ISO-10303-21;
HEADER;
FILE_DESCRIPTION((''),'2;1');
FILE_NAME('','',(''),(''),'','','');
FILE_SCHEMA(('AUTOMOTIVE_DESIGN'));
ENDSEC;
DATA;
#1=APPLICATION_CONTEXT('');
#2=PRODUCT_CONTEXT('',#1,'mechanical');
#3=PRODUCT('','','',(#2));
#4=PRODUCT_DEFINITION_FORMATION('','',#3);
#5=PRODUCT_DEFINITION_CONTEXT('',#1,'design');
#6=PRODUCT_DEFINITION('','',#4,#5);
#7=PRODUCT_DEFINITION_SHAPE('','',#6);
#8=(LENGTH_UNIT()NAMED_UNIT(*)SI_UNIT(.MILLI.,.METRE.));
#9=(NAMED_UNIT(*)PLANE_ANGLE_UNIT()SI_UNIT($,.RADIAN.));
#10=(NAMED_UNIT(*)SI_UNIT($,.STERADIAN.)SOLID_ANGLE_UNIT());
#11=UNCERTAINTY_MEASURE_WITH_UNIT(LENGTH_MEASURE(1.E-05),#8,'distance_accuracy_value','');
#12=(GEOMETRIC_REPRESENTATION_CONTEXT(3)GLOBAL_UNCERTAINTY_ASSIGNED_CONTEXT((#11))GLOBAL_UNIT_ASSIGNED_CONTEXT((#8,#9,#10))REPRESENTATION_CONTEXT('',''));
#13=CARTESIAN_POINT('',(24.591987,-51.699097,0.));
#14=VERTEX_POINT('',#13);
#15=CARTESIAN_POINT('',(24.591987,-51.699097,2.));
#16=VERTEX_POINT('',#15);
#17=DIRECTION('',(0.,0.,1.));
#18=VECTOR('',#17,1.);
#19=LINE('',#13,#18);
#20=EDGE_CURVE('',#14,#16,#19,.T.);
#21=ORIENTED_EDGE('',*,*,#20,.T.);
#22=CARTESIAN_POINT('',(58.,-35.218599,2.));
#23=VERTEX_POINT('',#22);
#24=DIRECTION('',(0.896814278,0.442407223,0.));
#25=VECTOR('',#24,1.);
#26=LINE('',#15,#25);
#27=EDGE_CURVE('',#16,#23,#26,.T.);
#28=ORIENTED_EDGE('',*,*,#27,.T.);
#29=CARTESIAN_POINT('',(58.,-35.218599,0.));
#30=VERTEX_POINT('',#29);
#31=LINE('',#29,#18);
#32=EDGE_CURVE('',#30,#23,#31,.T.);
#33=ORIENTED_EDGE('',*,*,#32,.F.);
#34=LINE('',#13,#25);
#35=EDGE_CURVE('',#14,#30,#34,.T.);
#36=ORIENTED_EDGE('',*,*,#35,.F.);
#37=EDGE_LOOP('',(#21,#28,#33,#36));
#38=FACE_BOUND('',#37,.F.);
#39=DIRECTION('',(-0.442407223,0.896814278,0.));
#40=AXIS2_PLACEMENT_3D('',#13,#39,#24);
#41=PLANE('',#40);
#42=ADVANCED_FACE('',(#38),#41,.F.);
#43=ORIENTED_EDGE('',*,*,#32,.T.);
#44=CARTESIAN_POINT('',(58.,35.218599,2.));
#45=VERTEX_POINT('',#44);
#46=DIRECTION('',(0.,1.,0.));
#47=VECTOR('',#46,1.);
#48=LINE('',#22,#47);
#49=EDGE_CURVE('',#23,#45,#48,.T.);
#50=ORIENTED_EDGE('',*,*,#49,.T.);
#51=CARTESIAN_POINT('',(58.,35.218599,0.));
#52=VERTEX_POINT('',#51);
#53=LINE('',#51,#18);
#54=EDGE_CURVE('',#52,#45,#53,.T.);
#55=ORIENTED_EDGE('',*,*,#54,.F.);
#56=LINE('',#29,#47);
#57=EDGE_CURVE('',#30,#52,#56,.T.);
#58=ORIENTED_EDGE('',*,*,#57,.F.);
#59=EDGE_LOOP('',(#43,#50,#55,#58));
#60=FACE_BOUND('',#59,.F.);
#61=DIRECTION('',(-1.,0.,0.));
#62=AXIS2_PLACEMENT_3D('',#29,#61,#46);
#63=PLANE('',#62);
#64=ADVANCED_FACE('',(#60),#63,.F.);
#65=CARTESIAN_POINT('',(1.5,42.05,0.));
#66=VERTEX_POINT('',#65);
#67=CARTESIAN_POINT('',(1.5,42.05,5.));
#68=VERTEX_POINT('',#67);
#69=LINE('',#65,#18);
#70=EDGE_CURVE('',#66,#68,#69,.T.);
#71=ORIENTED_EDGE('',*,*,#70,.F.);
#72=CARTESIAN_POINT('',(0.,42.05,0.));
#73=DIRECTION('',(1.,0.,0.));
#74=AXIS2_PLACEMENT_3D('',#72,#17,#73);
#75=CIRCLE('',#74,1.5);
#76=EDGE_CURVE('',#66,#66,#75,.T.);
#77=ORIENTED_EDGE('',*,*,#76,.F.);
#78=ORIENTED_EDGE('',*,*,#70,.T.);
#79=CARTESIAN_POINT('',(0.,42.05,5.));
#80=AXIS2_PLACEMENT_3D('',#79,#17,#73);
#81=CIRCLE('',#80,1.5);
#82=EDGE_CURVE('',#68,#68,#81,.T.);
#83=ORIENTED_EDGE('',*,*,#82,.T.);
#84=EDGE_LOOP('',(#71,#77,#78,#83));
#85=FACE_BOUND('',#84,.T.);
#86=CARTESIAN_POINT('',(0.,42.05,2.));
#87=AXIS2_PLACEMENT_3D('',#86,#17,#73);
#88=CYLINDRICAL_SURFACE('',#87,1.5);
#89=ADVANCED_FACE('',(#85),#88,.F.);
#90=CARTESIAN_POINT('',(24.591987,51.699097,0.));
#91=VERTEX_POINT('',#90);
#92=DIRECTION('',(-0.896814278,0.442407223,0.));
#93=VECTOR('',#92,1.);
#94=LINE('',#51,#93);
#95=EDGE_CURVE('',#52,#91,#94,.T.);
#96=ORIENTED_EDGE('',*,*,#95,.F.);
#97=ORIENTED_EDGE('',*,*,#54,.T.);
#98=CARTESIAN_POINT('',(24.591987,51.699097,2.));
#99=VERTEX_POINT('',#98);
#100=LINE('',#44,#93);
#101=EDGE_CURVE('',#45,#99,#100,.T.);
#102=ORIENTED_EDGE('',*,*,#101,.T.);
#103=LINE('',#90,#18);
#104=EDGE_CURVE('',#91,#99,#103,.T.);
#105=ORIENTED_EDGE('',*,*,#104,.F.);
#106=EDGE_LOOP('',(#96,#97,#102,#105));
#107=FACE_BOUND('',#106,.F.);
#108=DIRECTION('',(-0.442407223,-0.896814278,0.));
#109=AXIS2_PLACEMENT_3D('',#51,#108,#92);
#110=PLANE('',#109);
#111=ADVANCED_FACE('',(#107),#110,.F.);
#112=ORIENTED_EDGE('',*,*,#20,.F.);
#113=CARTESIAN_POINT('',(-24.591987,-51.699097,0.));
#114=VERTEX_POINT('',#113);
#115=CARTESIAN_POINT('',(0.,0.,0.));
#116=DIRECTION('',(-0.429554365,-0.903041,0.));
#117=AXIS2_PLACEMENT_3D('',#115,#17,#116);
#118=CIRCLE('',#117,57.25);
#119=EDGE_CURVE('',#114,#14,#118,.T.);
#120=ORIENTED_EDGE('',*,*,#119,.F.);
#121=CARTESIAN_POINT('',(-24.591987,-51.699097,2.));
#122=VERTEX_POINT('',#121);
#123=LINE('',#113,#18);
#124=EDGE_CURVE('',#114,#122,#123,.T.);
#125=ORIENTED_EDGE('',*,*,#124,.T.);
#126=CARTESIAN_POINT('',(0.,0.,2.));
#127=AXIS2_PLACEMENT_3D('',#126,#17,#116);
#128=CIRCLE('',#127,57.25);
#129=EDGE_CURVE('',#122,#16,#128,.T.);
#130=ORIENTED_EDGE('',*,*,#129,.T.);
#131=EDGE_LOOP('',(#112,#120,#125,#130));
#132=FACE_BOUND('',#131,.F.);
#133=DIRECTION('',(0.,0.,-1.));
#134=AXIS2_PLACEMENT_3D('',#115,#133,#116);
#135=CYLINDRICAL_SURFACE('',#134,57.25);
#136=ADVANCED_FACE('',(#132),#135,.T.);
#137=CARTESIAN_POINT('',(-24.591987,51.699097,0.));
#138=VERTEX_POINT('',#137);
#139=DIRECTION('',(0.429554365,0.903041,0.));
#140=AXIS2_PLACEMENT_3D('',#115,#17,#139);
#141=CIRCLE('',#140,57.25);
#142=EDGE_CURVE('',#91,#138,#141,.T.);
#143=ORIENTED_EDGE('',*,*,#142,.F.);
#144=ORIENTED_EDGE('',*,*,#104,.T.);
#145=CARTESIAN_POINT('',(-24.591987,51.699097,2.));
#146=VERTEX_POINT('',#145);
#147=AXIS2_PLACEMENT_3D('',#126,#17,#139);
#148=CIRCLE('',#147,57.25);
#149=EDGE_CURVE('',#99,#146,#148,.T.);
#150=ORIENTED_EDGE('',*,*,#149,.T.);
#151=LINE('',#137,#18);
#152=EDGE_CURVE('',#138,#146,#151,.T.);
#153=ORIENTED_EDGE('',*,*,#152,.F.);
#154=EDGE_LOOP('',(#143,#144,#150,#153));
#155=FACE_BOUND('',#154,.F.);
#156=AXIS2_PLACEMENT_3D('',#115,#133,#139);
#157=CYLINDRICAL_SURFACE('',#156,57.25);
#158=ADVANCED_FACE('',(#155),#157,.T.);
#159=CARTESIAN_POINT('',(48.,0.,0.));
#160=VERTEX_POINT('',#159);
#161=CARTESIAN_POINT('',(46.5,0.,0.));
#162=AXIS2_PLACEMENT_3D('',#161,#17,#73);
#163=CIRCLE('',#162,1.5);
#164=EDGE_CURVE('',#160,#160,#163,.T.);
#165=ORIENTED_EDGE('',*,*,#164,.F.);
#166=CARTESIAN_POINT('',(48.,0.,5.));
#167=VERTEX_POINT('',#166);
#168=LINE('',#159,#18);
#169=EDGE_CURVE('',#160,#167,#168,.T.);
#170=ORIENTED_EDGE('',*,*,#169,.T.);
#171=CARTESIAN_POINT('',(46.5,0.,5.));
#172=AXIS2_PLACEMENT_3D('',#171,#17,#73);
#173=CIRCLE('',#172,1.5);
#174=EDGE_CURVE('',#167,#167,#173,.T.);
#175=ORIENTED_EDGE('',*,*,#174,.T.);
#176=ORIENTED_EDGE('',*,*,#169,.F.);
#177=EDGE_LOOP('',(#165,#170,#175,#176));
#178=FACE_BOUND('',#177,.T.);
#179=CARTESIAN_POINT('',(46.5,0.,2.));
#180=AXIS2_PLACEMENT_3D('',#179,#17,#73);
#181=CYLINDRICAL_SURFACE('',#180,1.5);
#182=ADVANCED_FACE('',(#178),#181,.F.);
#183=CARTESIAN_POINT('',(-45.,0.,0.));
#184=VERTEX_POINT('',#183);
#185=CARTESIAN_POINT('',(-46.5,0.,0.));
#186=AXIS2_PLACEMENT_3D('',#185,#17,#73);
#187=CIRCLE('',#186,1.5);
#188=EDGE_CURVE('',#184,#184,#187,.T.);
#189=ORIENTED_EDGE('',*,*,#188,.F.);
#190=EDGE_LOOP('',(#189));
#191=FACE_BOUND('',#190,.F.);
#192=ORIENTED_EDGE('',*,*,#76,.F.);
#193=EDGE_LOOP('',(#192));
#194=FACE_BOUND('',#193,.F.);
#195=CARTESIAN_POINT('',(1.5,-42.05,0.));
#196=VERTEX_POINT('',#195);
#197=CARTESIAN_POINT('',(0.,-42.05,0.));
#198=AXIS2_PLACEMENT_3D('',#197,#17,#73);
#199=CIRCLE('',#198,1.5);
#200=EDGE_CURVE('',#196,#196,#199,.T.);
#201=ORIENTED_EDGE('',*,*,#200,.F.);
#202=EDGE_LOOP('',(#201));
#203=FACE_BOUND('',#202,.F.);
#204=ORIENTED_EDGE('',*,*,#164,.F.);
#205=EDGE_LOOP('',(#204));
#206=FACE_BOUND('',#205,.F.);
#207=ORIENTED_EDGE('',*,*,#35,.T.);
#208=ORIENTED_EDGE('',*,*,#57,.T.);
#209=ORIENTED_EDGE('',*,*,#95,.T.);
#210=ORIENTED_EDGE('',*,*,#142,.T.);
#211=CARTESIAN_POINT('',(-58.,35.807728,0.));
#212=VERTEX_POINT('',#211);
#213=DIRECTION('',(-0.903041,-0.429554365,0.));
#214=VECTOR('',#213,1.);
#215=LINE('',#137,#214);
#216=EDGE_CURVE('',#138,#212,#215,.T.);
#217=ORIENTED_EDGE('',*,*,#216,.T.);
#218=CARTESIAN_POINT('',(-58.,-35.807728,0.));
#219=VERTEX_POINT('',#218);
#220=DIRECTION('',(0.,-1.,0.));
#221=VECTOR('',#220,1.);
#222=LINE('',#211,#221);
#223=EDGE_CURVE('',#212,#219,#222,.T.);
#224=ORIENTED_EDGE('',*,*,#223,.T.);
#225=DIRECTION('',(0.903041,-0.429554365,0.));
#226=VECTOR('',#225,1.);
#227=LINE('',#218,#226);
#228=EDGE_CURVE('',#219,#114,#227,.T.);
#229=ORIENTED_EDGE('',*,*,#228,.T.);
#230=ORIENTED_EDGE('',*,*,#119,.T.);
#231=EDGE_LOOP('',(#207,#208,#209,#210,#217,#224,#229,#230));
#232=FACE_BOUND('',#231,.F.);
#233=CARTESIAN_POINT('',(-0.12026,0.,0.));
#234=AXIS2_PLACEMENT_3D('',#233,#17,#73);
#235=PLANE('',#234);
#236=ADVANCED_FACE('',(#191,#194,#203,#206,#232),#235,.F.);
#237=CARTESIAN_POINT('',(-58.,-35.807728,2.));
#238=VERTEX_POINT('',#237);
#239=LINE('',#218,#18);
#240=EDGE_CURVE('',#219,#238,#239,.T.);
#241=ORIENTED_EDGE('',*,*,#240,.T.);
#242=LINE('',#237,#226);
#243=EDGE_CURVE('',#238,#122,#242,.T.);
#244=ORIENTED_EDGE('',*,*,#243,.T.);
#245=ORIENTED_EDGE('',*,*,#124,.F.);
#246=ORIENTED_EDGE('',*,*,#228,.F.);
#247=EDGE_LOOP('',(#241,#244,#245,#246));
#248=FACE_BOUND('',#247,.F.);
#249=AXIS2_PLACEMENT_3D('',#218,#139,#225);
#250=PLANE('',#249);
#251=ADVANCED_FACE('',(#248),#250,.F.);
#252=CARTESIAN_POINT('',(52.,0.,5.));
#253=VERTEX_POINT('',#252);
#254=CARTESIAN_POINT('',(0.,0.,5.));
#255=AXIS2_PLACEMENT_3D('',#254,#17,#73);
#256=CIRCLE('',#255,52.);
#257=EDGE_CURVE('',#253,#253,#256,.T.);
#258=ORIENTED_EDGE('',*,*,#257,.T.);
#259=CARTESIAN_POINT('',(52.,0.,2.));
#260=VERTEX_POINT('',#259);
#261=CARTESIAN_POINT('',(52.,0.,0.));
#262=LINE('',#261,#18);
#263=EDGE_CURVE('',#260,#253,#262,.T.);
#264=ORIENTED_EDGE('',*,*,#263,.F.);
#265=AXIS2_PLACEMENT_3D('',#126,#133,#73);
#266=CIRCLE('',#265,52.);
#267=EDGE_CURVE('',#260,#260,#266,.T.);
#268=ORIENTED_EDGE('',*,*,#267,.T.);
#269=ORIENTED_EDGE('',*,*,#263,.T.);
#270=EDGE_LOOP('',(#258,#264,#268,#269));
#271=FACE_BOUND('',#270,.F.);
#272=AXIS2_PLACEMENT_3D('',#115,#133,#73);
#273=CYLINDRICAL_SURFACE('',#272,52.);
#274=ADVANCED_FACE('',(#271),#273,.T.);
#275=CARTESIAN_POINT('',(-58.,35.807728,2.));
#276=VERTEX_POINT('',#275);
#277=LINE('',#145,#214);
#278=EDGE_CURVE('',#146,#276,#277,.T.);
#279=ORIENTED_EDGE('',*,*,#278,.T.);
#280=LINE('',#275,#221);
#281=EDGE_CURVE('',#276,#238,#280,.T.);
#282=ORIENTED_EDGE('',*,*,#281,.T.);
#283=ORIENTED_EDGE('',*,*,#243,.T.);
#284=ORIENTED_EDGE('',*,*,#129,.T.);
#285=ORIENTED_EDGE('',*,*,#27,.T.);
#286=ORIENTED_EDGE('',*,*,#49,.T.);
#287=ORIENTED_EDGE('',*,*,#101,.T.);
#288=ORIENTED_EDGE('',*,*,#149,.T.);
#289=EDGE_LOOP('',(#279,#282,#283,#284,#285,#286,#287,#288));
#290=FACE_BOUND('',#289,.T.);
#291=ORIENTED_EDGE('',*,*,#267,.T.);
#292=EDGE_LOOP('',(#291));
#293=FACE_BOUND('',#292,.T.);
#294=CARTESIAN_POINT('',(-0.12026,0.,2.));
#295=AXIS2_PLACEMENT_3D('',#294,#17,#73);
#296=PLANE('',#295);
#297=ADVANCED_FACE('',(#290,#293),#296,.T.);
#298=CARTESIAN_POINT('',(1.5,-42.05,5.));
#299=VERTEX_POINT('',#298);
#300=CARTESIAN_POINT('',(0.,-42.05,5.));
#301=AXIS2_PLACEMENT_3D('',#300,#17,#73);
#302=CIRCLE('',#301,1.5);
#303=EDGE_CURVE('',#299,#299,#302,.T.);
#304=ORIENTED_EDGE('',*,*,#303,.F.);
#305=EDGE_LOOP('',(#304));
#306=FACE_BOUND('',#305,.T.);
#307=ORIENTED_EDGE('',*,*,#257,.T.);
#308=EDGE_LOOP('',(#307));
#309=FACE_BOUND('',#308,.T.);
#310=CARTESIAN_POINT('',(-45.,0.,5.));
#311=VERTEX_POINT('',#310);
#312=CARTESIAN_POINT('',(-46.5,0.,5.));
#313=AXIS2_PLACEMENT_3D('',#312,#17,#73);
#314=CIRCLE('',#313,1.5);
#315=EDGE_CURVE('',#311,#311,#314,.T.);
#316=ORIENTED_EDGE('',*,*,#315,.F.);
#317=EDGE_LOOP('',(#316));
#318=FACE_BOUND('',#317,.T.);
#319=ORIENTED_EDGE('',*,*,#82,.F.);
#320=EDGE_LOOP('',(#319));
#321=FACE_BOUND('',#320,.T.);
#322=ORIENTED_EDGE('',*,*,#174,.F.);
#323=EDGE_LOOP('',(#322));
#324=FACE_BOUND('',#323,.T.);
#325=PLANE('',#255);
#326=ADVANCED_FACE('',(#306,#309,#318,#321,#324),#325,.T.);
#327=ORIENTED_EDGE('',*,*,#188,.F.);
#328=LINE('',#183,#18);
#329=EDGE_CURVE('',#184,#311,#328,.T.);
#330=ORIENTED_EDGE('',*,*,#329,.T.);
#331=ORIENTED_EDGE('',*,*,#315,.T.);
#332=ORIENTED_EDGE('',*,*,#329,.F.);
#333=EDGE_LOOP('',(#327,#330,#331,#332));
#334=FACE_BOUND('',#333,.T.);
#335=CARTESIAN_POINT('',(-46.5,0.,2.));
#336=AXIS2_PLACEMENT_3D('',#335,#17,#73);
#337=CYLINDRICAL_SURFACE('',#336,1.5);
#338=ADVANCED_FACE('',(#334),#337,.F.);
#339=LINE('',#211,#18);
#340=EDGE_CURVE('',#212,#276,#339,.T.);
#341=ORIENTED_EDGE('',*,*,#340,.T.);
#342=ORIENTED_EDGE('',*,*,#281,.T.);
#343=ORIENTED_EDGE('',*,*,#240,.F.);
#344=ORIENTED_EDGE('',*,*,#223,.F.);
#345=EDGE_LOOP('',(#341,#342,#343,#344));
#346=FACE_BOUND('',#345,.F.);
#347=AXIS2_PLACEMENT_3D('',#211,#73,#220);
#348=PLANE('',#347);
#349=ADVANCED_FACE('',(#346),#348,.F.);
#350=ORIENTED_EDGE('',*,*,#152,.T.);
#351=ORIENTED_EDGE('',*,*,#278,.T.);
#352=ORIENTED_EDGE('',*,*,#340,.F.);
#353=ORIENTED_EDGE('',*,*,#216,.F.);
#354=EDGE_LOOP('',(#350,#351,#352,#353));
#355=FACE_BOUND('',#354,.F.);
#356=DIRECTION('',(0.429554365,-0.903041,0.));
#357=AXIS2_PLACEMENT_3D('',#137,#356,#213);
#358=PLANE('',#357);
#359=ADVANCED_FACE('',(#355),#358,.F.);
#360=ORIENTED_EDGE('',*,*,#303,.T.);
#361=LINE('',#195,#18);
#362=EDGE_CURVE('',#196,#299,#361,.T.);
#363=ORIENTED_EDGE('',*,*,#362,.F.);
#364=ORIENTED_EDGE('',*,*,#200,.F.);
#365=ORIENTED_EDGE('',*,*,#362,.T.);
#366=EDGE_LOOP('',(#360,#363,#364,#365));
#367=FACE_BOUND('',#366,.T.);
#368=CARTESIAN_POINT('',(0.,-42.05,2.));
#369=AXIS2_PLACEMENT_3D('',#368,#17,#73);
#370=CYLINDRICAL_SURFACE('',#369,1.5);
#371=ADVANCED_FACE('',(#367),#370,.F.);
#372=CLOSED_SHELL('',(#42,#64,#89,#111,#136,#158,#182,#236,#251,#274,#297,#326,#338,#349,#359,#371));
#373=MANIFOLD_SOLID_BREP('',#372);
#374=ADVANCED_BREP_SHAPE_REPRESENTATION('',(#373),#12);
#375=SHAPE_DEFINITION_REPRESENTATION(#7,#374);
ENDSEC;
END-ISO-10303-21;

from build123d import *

# Parameters (mm, degrees)
F0_R     = 52
F0_R_2   = 1.5
F1_DEPTH = 5
F3_DEPTH = 2
F4_DEPTH = 2.001


with BuildPart() as f1:
    # F0 (on Top) → F1 (new body)
    with BuildSketch(Plane.XY):
        Circle(F0_R)
        with Locations((0, -42.05)):
            Circle(F0_R_2, mode=Mode.SUBTRACT)
        with Locations((-46.5, 0)):
            Circle(F0_R_2, mode=Mode.SUBTRACT)
        with Locations((46.5, 0)):
            Circle(F0_R_2, mode=Mode.SUBTRACT)
        with Locations((0, 42.05)):
            Circle(F0_R_2, mode=Mode.SUBTRACT)
    extrude(amount=F1_DEPTH)

    # F2 (on Top) → F3 (join)
    with BuildSketch(Plane.XY):
        with BuildLine():
            Line((-24.5919874092, 51.6990972384), (-58, 35.807728358))
            Line((-58, 35.807728358), (-58, 0))
            Line((-58, 0), (-58, -35.807728358))
            Line((-58, -35.807728358), (-24.5919874092, -51.6990972384))
            ThreePointArc((-24.5919874092, -51.6990972384), (0, -57.25), (24.5919874092, -51.6990972384))
            Line((24.5919874092, -51.6990972384), (58, -35.2185990722))
            Line((58, -35.2185990722), (58, 0))
            Line((58, 0), (58, 35.2185990722))
            Line((58, 35.2185990722), (24.5919874092, 51.6990972384))
            ThreePointArc((24.5919874092, 51.6990972384), (0, 57.25), (-24.5919874092, 51.6990972384))
        make_face()
    extrude(amount=F3_DEPTH)

    # F4 (cut, through all): faces of the model
    f4_faces = [f1.faces().sort_by_distance(p)[0] for p in [
        (0, 42.05, 2),
        (46.5, 0, 2),
        (0, -42.05, 2),
        (-46.5, 0, 2),
    ]]
    extrude(f4_faces, amount=-F4_DEPTH, mode=Mode.SUBTRACT)


solid = f1.part
